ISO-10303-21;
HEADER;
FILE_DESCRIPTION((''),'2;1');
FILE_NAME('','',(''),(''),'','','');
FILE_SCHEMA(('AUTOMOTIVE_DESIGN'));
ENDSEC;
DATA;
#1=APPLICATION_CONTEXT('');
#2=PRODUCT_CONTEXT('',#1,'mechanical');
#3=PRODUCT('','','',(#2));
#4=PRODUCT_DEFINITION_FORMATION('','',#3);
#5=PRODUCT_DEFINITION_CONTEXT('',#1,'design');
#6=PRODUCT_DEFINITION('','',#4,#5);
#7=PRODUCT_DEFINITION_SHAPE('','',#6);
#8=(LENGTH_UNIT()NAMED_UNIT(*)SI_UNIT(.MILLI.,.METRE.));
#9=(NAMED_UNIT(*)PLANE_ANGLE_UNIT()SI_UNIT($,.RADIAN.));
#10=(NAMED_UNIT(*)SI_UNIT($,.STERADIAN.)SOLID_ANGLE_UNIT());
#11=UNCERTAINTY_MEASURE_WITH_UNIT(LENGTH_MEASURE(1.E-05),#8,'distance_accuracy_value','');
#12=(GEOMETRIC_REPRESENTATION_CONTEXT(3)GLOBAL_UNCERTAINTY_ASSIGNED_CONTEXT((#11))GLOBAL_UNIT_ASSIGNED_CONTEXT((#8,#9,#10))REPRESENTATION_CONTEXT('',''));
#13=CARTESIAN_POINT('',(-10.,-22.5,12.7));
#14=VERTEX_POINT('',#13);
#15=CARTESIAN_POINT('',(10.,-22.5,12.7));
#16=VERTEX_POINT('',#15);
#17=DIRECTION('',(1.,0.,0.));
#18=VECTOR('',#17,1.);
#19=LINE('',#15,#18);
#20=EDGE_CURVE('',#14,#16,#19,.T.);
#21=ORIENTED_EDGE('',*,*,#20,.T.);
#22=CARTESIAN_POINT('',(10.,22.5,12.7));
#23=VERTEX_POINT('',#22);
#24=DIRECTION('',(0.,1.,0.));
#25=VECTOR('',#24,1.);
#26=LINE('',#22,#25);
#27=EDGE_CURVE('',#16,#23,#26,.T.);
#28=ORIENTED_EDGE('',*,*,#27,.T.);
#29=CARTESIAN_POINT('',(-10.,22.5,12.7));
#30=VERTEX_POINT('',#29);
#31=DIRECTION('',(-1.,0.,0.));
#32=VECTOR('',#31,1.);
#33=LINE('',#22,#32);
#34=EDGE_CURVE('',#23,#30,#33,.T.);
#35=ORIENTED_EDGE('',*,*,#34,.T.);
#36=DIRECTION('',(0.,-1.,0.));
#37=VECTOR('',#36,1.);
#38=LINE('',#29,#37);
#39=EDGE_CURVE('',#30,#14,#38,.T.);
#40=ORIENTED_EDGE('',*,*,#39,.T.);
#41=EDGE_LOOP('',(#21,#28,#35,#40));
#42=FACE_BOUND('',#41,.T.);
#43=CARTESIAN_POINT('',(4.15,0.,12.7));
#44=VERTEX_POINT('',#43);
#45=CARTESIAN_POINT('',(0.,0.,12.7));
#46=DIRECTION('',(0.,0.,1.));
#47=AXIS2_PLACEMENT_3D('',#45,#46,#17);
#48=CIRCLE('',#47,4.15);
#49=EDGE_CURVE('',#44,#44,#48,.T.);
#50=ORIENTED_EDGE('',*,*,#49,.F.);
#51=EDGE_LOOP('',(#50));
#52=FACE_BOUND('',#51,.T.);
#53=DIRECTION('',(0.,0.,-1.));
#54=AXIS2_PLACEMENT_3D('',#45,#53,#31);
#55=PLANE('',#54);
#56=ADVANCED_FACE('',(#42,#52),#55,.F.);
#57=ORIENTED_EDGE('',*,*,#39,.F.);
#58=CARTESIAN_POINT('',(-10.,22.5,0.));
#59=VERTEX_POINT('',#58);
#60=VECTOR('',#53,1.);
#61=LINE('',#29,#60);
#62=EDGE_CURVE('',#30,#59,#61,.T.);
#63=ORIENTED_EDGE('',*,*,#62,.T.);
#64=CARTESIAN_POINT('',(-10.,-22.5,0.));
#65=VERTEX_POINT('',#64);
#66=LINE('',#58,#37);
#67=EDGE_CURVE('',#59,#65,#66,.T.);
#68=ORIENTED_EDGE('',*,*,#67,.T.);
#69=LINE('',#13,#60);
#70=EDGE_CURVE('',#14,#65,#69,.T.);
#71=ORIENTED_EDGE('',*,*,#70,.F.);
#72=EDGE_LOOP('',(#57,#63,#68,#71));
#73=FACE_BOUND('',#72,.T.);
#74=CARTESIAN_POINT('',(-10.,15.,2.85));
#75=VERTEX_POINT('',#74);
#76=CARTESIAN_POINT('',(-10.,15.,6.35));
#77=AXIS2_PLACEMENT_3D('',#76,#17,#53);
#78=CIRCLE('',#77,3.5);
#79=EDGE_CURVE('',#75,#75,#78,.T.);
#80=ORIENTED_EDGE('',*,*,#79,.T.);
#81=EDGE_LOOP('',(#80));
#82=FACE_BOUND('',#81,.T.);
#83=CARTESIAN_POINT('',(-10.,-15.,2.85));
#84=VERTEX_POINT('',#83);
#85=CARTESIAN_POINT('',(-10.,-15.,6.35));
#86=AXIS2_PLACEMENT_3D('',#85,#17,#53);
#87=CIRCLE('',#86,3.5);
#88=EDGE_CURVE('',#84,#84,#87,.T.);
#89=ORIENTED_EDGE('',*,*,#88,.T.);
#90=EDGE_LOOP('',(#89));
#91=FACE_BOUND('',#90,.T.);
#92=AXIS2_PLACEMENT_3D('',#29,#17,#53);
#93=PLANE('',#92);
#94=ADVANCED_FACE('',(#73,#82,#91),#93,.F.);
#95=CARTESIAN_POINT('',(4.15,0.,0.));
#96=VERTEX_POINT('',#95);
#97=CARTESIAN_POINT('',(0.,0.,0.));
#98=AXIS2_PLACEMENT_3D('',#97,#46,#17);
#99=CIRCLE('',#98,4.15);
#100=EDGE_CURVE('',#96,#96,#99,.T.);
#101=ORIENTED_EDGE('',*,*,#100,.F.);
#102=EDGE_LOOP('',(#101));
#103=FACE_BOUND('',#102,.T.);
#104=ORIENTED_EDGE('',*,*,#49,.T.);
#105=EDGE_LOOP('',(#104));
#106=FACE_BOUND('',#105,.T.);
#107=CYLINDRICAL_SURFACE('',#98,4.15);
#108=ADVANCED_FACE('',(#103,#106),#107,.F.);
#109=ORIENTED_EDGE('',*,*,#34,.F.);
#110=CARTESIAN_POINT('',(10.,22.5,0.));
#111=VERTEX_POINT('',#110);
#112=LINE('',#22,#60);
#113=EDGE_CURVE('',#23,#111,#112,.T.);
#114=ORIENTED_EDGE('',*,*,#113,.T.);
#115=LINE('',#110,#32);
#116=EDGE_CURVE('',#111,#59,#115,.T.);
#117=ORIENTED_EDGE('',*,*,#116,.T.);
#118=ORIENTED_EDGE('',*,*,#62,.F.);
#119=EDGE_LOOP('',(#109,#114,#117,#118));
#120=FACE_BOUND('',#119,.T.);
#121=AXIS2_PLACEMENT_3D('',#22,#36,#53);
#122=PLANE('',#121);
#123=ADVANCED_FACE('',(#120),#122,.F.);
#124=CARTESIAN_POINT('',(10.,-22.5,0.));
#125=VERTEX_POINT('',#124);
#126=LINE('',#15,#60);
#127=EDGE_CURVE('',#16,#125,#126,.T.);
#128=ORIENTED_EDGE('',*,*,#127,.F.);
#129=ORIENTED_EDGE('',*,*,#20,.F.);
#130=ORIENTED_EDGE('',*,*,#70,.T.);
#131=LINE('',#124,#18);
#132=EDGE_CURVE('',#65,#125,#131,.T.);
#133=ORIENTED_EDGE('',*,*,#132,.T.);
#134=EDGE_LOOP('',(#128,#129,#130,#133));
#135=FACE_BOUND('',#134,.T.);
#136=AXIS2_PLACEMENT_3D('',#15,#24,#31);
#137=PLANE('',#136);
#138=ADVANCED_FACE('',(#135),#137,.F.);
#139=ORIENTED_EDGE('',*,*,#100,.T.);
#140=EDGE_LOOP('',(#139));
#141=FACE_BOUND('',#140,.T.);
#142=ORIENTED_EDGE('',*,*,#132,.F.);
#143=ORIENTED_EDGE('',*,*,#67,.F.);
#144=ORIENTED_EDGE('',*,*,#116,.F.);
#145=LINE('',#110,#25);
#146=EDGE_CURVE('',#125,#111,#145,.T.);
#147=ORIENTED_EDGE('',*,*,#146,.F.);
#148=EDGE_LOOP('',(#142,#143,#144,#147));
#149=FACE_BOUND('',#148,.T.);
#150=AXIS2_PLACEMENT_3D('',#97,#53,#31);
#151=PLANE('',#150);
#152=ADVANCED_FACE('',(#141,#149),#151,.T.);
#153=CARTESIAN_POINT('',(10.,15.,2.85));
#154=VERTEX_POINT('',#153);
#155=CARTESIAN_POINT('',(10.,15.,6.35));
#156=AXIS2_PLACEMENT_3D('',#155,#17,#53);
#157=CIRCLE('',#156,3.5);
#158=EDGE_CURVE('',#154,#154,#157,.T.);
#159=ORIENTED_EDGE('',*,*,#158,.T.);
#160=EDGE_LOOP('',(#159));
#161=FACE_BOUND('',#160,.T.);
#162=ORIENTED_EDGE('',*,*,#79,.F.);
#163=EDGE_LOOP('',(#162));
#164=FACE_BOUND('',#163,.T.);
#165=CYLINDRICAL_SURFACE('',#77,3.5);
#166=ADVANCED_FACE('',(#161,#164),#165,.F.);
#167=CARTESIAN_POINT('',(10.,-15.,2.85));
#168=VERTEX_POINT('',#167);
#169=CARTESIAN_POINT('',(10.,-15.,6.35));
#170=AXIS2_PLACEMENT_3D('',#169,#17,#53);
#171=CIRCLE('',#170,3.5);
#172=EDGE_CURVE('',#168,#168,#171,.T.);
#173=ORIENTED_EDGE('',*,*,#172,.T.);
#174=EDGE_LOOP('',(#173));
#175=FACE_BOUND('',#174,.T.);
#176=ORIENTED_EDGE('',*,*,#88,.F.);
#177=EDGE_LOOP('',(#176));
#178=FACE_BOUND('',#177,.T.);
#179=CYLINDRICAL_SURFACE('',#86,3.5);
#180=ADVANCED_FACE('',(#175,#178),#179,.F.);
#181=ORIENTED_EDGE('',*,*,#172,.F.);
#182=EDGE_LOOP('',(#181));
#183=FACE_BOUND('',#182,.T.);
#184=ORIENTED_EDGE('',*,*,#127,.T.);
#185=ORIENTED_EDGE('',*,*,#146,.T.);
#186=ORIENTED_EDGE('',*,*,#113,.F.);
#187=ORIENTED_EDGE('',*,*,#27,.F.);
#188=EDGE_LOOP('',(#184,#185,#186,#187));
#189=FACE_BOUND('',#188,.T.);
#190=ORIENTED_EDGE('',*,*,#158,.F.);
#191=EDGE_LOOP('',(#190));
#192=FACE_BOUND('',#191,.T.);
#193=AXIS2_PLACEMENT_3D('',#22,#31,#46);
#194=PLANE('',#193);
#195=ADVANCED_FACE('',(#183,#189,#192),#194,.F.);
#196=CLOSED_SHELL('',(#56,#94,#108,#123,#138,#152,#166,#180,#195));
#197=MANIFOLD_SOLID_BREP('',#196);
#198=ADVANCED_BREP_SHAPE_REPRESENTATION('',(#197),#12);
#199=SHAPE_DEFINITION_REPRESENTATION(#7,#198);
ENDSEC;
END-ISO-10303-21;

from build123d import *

# Parameters (mm, degrees)
SKETCH1_W           = 20
SKETCH1_H           = 45
BOSS_EXTRUDE1_DEPTH = 12.7
SKETCH2_R           = 4.15
CUT_EXTRUDE1_DEPTH  = 28.704512268
SKETCH3_R           = 3.5
CUT_EXTRUDE2_DEPTH  = 33.673230633


with BuildPart() as part:
    # Sketch1 → Boss-Extrude1 (new body)
    with BuildSketch(Plane.XY):
        Rectangle(SKETCH1_W, SKETCH1_H)
    extrude(amount=BOSS_EXTRUDE1_DEPTH)

    # Sketch2 → Cut-Extrude1 (cut, through all)
    with BuildSketch(Plane.XY.offset(12.7)):
        Circle(SKETCH2_R)
    extrude(amount=-CUT_EXTRUDE1_DEPTH, mode=Mode.SUBTRACT)

    # Sketch3 → Cut-Extrude2 (cut, through all)
    with BuildSketch(Plane(origin=(10, 0, 0), x_dir=(0, 0, -1), z_dir=(1, 0, 0))):
        with Locations((-6.35, 15)):
            Circle(SKETCH3_R)
        with Locations((-6.35, -15)):
            Circle(SKETCH3_R)
    extrude(amount=-CUT_EXTRUDE2_DEPTH, mode=Mode.SUBTRACT)


solid = part.part
